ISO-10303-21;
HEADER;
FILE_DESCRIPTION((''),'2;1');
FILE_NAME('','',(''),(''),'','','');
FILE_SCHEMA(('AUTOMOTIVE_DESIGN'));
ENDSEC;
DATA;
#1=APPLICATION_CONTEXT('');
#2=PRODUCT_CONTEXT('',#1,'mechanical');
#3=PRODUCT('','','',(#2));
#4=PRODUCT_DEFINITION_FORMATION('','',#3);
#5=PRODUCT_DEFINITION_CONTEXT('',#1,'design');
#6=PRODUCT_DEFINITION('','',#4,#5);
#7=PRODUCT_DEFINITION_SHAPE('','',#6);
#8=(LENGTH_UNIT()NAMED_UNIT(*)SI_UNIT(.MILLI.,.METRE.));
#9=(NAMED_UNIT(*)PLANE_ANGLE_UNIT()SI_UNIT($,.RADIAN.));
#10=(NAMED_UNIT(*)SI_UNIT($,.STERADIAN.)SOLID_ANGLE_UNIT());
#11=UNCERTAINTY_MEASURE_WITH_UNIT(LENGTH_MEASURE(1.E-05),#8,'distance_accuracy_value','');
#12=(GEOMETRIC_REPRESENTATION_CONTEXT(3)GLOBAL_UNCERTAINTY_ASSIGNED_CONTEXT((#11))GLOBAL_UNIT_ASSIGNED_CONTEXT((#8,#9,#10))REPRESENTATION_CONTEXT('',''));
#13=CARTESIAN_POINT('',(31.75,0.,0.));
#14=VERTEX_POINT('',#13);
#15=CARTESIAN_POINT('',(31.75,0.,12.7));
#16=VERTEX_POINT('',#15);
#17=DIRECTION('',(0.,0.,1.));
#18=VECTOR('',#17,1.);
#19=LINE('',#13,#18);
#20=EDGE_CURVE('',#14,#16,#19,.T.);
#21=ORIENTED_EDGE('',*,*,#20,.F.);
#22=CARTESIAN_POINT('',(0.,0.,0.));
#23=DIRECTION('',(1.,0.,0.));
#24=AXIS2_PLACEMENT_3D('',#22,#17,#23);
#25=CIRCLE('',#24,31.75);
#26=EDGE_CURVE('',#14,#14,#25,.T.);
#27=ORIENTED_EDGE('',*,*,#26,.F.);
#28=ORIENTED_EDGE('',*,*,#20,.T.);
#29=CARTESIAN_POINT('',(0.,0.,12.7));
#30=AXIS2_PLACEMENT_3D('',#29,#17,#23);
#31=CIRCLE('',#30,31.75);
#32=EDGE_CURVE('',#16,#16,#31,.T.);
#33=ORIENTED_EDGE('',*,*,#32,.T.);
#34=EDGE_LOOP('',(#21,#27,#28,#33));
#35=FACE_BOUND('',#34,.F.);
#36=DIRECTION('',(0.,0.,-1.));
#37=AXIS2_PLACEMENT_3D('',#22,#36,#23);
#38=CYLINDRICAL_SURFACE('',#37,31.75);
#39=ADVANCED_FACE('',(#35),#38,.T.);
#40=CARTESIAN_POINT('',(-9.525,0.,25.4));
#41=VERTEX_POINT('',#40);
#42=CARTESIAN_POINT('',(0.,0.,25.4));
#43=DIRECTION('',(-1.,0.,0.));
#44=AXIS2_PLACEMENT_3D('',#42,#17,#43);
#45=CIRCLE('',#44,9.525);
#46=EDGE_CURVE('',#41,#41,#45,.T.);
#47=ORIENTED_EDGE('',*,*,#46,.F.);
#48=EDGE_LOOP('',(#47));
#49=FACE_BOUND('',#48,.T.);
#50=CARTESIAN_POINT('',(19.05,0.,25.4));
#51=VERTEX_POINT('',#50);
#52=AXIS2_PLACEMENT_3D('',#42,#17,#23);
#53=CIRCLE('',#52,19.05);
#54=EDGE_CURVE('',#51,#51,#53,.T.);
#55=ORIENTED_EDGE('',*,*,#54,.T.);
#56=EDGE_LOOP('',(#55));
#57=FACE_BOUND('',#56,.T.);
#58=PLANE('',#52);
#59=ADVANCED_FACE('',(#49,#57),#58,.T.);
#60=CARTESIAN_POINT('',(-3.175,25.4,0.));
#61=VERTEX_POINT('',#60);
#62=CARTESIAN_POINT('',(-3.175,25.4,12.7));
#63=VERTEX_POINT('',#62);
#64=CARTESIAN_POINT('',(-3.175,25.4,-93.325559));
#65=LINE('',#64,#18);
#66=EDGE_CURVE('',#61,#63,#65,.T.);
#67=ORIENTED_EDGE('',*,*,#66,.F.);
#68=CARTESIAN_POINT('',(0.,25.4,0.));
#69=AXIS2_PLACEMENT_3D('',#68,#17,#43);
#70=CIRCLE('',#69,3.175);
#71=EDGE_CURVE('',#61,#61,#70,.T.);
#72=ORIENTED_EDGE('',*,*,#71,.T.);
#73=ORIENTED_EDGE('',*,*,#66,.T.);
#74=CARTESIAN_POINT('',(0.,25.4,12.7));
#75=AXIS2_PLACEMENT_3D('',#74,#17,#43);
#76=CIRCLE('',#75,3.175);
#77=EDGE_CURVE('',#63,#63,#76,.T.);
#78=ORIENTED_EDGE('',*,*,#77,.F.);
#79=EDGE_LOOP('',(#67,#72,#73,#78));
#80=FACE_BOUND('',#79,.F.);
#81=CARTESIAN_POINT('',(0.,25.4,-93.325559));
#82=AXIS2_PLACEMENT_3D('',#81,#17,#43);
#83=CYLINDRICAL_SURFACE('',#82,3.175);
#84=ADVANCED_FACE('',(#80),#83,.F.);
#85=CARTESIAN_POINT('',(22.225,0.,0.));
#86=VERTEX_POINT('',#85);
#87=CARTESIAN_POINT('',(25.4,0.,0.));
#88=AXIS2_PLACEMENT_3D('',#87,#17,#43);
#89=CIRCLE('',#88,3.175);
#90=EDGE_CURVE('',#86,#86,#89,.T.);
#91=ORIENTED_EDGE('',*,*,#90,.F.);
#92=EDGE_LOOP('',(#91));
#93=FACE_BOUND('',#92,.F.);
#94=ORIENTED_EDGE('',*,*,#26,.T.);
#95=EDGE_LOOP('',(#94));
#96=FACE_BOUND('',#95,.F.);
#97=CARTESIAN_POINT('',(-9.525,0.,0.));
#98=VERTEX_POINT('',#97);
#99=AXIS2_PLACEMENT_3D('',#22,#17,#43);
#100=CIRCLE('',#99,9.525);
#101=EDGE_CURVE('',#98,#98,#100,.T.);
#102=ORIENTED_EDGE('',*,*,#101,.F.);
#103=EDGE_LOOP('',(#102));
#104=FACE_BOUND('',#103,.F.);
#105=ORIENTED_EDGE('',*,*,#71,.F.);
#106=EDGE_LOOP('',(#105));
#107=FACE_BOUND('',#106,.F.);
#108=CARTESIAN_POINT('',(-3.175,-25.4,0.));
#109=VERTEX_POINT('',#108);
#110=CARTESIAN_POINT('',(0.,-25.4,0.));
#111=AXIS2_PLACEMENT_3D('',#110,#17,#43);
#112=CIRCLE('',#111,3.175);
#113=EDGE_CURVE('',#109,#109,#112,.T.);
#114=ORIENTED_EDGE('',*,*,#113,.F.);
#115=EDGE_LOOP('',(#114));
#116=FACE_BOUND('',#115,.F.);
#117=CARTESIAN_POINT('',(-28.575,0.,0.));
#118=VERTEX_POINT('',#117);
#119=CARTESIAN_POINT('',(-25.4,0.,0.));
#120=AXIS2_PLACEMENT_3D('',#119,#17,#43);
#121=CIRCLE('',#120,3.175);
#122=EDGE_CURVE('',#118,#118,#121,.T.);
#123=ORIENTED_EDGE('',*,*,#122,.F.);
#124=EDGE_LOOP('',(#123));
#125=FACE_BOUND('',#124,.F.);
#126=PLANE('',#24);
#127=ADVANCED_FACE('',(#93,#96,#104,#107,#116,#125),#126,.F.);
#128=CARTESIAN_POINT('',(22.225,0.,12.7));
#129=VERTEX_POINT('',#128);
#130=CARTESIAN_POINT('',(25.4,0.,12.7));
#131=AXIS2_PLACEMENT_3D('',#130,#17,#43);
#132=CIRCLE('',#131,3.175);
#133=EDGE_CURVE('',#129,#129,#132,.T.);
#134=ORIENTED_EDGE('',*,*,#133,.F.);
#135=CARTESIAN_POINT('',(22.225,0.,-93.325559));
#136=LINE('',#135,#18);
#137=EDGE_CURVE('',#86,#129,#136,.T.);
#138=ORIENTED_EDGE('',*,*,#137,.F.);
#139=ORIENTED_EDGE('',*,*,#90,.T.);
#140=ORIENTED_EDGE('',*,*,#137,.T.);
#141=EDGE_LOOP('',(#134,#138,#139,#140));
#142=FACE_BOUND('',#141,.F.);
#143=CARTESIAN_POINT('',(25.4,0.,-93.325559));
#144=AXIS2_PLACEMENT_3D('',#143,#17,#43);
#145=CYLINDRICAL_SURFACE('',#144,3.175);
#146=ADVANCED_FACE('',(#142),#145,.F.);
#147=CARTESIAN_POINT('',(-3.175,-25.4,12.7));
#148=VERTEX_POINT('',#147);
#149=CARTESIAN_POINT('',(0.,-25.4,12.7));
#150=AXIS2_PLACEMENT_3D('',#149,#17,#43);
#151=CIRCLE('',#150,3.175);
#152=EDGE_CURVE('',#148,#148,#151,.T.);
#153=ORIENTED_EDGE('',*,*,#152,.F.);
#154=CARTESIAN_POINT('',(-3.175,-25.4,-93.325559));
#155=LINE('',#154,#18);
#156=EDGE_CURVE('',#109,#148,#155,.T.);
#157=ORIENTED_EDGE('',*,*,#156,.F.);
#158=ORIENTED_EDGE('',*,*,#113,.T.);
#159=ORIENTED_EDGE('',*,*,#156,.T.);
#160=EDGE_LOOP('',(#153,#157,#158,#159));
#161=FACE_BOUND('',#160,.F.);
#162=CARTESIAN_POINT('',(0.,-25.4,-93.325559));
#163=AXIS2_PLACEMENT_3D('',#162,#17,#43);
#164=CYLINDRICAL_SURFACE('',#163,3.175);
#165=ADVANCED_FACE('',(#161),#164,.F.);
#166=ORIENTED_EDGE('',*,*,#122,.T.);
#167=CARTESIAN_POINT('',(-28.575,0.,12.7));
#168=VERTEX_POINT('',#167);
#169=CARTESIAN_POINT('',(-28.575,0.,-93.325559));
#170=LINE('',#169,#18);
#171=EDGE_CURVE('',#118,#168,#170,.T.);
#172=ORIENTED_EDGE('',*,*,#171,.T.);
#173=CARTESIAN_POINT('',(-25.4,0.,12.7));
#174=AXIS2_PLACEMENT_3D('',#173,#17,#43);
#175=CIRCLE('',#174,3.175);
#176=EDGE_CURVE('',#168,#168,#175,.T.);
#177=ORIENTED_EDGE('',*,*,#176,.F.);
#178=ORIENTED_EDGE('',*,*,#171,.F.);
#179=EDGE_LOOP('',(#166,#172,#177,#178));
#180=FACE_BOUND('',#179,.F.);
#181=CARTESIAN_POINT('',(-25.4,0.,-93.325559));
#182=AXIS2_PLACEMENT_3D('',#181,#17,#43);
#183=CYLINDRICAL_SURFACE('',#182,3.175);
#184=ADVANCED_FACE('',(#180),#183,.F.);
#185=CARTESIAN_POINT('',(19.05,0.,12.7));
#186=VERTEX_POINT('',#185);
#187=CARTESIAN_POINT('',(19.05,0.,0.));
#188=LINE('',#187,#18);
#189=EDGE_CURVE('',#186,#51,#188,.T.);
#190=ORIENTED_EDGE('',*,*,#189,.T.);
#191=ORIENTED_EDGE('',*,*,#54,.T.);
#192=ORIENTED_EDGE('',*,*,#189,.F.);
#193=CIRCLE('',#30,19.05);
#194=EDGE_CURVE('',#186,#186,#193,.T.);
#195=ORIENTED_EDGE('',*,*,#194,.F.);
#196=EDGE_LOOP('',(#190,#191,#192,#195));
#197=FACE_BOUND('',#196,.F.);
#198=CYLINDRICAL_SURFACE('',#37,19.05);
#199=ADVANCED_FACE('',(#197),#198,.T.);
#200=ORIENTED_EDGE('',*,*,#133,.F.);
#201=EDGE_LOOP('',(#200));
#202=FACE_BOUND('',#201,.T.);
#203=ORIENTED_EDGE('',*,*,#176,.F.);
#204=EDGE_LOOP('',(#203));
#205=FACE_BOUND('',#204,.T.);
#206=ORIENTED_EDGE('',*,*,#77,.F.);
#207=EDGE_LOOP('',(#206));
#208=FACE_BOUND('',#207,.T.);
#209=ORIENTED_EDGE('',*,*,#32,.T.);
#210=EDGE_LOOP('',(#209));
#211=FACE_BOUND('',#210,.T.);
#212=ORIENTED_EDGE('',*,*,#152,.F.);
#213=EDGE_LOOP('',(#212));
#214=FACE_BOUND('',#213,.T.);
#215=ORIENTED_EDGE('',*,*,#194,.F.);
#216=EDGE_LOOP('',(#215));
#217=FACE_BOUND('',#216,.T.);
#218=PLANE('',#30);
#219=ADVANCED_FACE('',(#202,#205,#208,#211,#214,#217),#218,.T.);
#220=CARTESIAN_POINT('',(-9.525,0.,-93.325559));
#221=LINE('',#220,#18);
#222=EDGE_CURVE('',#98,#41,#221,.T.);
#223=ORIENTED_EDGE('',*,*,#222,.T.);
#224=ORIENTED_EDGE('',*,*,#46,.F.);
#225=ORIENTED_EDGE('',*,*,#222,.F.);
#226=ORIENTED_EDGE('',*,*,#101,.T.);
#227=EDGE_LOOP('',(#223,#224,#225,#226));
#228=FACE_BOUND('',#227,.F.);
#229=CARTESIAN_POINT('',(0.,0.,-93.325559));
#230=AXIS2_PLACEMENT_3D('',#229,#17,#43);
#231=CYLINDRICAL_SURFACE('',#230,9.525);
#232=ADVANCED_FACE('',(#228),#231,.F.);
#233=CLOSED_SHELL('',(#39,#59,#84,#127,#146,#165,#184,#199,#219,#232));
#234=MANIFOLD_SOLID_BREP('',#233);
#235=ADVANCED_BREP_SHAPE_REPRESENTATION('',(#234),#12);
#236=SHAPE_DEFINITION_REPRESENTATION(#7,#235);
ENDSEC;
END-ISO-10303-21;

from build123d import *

# Parameters (mm, degrees)
F0_R     = 19.05
F1_DEPTH = 25.4
F0_R_2   = 25.4
F2_DEPTH = 12.7
F0_R_3   = 31.75
F3_DEPTH = 12.7
F4_D     = 6.35
F5_D     = 6.35
F6_D     = 19.05


with BuildPart() as f1:
    # F0 (on Top) → F1 (new body)
    with BuildSketch(Plane.XY):
        Circle(F0_R)
    extrude(amount=F1_DEPTH)

    # F0 (on Top) → F2 (join)
    with BuildSketch(Plane.XY):
        Circle(F0_R_2)
        Circle(F0_R, mode=Mode.SUBTRACT)
    extrude(amount=F2_DEPTH)

    # F0 (on Top) → F3 (join)
    with BuildSketch(Plane.XY):
        Circle(F0_R_3)
        Circle(F0_R_2, mode=Mode.SUBTRACT)
    extrude(amount=F3_DEPTH)

    # F4 (through all)
    with Locations(Plane(origin=(0, 0, 0), x_dir=(1, 0, 0), z_dir=(0, 0, -1))):
        with Locations((0, 25.4)):
            Hole(F4_D / 2)

    # F5 (through all)
    with Locations(Plane(origin=(0, 0, 0), x_dir=(1, 0, 0), z_dir=(0, 0, -1))):
        with Locations((-25.4, 0), (25.4, 0), (0, -25.4)):
            Hole(F5_D / 2)

    # F6 (through all)
    with Locations(Plane(origin=(0, 0, 0), x_dir=(1, 0, 0), z_dir=(0, 0, -1))):
        with Locations((0, 0)):
            Hole(F6_D / 2)


solid = f1.part
